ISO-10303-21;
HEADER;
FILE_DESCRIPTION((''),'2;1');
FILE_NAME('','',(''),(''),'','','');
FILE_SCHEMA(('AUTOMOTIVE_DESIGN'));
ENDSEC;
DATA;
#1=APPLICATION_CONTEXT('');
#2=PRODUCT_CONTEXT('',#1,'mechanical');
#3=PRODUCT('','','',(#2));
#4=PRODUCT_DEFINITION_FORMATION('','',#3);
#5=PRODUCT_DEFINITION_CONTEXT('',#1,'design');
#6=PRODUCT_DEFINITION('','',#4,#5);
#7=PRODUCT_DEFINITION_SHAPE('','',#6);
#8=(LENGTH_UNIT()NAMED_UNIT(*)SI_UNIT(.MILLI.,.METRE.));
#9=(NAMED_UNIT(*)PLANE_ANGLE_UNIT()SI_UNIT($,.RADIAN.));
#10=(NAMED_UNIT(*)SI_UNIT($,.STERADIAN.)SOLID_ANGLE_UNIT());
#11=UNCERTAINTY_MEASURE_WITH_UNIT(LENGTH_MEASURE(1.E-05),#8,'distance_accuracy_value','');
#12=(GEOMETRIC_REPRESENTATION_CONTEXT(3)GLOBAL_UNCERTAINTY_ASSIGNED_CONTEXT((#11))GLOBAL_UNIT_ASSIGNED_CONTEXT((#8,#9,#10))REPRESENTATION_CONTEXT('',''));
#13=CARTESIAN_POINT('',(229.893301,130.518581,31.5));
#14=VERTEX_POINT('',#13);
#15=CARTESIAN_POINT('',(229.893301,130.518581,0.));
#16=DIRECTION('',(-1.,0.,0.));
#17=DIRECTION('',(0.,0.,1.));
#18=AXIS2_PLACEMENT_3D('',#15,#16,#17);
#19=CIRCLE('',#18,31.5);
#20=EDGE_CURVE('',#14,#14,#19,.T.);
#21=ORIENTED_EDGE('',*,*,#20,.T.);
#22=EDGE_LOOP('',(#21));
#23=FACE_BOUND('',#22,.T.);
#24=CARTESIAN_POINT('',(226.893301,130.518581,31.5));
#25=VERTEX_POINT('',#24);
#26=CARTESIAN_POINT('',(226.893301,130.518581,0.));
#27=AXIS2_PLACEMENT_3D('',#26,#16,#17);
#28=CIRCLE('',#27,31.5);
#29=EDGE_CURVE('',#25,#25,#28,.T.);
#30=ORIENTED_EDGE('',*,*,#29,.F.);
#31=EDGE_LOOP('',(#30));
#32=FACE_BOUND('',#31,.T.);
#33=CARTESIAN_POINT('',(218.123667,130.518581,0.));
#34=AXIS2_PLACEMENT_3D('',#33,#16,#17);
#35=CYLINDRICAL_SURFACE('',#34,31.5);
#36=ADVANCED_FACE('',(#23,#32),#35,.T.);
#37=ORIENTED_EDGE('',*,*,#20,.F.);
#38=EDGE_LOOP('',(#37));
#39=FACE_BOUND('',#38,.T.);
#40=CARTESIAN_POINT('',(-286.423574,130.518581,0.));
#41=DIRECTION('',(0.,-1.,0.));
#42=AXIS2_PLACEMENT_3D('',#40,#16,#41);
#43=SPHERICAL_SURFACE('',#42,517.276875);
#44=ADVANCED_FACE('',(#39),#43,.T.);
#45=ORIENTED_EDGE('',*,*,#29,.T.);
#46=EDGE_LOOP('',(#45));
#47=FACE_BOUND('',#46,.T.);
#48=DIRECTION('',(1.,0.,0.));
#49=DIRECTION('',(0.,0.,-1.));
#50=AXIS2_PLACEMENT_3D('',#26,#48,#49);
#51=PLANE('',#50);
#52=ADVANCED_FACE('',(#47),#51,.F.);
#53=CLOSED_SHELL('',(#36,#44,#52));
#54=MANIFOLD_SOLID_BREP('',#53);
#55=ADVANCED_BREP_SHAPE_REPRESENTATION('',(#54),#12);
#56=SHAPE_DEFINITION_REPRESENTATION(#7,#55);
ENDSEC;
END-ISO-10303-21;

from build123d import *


with BuildPart() as part:
    # 草图1 → 旋转1 (revolve)
    with BuildSketch(Plane.XY, mode=Mode.PRIVATE) as revolve_1_sk:
        with BuildLine():
            Line((226.893301001, 130.518581457), (226.893301001, 162.018581457))
            Line((226.893301001, 162.018581457), (229.893301001, 162.018581457))
            ThreePointArc((229.893301001, 162.018581457), (230.613245299, 146.275894045), (230.853301001, 130.518581457))
            Line((230.853301001, 130.518581457), (226.893301001, 130.518581457))
        make_face()
    revolve(revolve_1_sk.sketch.rotate(Axis((218.123666737, 130.518581457, 0), (1, 0, 0)), 180), axis=Axis((218.123666737, 130.518581457, 0), (1, 0, 0)))  # turned: the seam where the file's is


solid = part.part
